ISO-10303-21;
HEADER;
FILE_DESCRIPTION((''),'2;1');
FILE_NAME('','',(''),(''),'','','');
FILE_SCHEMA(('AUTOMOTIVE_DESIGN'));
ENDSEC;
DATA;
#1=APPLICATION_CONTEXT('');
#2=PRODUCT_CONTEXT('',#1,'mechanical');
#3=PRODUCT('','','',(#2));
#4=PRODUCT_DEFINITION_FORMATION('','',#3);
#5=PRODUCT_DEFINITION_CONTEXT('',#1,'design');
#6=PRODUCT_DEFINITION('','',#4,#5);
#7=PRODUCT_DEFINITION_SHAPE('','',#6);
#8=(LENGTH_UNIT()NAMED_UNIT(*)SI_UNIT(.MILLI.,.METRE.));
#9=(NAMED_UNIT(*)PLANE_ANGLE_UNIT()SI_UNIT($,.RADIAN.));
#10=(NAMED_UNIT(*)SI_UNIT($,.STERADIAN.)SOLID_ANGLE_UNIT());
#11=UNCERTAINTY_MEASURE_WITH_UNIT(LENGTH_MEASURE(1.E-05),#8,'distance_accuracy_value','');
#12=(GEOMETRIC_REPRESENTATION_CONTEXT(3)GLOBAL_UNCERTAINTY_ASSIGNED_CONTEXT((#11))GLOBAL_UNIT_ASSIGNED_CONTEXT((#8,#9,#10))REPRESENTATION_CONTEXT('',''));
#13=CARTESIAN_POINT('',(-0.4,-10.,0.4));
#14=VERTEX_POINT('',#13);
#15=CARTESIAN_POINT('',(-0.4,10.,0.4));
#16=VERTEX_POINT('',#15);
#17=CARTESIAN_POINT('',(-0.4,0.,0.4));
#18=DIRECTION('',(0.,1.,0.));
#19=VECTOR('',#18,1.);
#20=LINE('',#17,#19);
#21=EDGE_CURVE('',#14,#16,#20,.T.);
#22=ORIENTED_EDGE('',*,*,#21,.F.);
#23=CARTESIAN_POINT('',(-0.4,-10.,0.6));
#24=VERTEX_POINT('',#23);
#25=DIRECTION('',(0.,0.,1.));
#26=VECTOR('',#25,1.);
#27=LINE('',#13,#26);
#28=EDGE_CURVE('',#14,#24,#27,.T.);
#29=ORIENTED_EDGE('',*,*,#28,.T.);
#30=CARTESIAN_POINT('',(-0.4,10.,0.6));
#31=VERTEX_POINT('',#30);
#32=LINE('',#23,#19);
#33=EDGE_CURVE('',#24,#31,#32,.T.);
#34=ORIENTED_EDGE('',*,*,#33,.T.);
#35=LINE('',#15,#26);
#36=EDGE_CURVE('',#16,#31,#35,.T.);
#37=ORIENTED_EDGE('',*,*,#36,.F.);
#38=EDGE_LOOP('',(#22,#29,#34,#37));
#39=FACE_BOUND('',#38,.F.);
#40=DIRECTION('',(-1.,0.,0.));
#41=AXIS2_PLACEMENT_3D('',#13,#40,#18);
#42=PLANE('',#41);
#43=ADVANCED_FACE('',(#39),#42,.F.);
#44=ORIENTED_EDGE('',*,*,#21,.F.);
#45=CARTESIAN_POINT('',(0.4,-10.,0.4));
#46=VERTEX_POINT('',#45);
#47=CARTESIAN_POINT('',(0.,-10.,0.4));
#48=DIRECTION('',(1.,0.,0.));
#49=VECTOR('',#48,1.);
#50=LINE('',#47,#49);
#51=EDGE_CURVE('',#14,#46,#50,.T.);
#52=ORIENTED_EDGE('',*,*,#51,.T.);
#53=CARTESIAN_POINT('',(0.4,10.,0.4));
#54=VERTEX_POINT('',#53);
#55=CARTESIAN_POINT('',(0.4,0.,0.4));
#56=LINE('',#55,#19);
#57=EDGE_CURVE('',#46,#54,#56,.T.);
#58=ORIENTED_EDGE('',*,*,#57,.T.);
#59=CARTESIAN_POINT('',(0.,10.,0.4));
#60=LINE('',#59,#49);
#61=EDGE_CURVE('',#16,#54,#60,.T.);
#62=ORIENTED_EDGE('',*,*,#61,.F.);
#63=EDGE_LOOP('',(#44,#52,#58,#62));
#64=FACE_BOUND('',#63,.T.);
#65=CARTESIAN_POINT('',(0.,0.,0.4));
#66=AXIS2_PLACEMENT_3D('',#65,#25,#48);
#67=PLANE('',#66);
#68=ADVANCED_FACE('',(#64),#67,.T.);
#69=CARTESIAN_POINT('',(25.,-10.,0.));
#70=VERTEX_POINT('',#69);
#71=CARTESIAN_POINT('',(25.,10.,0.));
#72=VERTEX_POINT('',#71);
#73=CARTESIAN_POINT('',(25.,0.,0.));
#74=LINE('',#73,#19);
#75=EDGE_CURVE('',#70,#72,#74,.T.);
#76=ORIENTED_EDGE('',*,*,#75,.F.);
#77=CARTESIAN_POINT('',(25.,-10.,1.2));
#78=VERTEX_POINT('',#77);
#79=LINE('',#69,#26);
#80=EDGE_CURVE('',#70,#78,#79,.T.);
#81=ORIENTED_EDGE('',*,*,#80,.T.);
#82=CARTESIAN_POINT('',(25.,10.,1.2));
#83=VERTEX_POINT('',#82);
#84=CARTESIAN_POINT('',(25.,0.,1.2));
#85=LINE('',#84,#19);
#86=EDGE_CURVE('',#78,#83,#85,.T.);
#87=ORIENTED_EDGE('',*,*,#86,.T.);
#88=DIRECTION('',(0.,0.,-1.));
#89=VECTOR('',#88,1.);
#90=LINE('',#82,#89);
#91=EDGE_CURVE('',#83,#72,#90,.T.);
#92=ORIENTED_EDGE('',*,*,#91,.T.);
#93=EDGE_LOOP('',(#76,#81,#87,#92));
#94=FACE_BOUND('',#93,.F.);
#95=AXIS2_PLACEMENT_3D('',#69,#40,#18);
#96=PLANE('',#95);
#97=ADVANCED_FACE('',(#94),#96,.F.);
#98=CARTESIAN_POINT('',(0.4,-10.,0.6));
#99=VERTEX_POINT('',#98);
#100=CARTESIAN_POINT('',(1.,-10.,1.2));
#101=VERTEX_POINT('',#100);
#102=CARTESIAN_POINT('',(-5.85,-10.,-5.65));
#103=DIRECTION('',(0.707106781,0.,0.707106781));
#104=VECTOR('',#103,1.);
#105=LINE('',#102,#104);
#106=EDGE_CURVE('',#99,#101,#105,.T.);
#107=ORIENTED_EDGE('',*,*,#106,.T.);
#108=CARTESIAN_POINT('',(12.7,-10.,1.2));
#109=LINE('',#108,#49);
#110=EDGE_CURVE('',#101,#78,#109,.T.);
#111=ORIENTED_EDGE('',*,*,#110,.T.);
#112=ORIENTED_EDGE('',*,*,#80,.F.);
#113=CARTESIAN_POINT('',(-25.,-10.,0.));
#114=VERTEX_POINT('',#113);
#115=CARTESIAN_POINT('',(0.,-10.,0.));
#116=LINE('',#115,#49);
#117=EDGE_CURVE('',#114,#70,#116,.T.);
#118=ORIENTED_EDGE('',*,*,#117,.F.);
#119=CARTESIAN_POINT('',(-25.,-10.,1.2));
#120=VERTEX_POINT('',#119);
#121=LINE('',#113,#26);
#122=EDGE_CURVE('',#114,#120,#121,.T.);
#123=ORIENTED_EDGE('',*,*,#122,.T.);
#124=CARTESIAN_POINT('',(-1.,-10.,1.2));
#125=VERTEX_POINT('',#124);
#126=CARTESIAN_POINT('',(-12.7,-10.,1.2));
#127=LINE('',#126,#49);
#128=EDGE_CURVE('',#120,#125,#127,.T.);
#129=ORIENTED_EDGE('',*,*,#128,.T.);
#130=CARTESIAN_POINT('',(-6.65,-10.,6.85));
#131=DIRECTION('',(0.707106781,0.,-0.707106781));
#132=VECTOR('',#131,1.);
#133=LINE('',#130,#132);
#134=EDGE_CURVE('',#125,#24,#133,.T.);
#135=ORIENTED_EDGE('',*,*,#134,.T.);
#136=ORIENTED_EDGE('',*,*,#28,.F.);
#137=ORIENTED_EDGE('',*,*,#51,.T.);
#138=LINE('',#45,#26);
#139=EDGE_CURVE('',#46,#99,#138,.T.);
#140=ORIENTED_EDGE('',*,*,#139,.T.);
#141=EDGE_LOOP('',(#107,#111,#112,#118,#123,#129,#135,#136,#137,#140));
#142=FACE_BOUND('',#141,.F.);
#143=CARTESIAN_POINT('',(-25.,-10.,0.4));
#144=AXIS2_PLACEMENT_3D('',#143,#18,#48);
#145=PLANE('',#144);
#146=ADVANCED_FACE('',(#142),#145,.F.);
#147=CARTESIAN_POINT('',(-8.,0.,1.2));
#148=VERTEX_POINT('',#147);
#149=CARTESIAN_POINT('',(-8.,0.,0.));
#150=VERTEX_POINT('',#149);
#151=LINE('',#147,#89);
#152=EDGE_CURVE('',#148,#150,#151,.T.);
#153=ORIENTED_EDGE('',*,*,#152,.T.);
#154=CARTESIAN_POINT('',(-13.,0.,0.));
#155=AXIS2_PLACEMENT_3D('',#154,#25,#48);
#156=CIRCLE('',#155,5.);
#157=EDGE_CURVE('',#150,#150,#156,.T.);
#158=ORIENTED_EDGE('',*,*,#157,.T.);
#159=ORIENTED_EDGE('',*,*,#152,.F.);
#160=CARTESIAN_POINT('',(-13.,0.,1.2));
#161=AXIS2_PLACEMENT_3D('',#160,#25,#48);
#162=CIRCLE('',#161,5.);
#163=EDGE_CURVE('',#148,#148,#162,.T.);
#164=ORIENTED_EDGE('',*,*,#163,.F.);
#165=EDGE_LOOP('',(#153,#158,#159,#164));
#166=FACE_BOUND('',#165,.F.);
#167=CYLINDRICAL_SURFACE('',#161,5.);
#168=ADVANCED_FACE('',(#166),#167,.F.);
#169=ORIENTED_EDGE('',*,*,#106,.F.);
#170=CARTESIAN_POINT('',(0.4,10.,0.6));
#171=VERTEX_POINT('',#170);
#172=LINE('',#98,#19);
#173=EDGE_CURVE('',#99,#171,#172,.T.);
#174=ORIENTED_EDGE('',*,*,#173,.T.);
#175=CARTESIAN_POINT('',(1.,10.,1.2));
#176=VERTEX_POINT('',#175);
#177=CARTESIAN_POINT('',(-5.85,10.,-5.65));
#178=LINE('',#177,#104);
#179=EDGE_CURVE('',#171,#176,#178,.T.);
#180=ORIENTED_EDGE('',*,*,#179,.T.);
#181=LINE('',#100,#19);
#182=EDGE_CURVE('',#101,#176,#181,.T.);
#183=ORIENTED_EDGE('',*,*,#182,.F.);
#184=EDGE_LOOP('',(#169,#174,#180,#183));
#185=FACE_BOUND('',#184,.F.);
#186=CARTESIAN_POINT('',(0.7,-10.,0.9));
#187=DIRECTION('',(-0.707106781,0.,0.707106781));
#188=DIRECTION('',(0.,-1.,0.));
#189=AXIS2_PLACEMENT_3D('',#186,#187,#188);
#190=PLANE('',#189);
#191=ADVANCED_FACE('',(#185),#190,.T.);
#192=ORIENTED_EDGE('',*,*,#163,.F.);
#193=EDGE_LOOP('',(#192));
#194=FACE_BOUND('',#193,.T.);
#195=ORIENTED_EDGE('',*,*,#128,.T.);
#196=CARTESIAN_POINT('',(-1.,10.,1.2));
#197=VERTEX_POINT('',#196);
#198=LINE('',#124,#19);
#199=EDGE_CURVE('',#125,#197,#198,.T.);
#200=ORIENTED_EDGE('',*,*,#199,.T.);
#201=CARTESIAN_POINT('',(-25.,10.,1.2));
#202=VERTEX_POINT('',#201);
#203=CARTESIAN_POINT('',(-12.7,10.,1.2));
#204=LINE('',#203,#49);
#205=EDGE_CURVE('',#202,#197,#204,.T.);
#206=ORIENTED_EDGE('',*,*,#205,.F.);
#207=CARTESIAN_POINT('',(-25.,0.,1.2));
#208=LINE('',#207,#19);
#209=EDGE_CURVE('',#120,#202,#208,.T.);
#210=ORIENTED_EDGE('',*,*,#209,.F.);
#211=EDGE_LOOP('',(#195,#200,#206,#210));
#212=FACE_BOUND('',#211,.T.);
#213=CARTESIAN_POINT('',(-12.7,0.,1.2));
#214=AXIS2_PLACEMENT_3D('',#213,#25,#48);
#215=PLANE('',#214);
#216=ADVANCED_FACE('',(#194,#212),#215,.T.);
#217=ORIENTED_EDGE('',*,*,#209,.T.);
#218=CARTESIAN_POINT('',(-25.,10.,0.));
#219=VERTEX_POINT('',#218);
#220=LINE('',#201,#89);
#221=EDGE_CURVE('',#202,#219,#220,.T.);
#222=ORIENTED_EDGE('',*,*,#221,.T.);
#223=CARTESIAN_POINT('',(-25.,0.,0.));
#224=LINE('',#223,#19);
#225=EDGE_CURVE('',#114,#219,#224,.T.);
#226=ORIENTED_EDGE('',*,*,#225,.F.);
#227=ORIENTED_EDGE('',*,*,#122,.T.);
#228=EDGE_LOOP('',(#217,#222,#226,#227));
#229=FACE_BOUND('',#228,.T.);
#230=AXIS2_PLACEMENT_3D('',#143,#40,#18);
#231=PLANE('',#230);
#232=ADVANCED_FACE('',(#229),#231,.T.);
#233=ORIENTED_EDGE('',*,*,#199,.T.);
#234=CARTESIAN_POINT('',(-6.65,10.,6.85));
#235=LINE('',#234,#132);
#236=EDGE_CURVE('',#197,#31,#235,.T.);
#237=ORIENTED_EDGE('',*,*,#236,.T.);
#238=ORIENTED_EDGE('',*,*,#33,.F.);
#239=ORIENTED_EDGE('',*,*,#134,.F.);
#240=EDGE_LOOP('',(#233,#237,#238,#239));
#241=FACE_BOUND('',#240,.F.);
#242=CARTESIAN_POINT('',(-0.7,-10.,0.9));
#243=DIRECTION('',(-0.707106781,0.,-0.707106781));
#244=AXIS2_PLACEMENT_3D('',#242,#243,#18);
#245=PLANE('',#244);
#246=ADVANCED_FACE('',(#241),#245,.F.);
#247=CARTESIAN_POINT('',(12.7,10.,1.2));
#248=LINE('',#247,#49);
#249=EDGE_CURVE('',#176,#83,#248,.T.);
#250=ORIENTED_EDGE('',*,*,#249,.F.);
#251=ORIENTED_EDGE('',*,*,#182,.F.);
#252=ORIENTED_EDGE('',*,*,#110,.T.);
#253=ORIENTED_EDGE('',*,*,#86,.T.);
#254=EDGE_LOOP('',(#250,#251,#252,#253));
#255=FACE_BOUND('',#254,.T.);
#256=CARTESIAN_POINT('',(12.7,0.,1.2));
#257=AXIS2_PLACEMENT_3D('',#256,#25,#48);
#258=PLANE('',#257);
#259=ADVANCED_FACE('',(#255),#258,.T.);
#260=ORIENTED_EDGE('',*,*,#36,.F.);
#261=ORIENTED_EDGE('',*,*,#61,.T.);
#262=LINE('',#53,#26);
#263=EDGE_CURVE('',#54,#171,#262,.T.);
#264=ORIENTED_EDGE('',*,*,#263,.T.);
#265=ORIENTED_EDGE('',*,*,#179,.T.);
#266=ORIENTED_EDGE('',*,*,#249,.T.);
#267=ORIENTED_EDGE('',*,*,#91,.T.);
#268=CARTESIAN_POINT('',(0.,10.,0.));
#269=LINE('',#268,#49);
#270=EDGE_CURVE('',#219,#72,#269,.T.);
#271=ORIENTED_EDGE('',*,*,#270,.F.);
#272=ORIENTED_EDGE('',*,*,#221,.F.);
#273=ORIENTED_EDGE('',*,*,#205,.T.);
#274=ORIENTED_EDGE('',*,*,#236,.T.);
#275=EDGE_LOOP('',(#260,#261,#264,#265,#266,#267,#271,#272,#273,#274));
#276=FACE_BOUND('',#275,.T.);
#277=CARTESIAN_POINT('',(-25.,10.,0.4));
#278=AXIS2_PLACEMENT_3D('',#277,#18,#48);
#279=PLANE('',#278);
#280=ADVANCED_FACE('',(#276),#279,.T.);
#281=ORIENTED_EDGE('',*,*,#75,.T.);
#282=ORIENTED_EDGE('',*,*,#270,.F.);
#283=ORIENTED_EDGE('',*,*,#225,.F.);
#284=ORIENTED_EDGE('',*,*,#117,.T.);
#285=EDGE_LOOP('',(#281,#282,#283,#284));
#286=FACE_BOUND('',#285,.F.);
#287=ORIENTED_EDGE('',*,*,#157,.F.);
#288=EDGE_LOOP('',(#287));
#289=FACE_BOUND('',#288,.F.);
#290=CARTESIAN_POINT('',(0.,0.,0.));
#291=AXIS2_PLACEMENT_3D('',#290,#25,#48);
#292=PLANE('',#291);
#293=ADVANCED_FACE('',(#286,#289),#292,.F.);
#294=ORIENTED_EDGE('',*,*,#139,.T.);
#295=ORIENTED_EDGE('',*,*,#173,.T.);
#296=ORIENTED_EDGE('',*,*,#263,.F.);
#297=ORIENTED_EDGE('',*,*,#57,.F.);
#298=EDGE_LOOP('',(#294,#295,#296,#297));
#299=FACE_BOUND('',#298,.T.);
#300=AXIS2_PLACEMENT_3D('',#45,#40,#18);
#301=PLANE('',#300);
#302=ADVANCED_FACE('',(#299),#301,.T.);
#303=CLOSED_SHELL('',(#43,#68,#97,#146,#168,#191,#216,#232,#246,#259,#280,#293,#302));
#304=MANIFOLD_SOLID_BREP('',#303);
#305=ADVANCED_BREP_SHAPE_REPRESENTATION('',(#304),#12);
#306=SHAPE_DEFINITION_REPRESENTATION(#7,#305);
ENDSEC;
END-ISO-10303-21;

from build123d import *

# Parameters (mm, degrees)
F0_W     = 50
F0_H     = 20
F1_DEPTH = 0.4
F2_W     = 24.6
F2_H     = 20
F3_DEPTH = 0.8
F4_R     = 5
F5_DEPTH = 25
F6_SIZE  = 0.6


with BuildPart() as f1:
    # F0 (on Top) → F1 (new body)
    with BuildSketch(Plane.XY):
        Rectangle(F0_W, F0_H)
    extrude(amount=F1_DEPTH)

    # F2 (on face) → F3 (join)
    with BuildSketch(Plane.XY.offset(0.4)):
        with Locations((-12.7, 0)):
            Rectangle(F2_W, F2_H)
        with Locations((12.7, 0)):
            Rectangle(F2_W, F2_H)
    extrude(amount=F3_DEPTH)

    # F4 (on face) → F5 (cut)
    with BuildSketch(Plane.XY.offset(1.2)):
        with Locations((-13, 0)):
            Circle(F4_R)
    extrude(amount=-F5_DEPTH, mode=Mode.SUBTRACT)

    # F6
    f6_edges = [f1.edges().sort_by_distance(p)[0] for p in [
        (-0.4, 0, 1.2),
        (0.4, 0, 1.2),
    ]]
    chamfer(f6_edges, length=F6_SIZE)


solid = f1.part
